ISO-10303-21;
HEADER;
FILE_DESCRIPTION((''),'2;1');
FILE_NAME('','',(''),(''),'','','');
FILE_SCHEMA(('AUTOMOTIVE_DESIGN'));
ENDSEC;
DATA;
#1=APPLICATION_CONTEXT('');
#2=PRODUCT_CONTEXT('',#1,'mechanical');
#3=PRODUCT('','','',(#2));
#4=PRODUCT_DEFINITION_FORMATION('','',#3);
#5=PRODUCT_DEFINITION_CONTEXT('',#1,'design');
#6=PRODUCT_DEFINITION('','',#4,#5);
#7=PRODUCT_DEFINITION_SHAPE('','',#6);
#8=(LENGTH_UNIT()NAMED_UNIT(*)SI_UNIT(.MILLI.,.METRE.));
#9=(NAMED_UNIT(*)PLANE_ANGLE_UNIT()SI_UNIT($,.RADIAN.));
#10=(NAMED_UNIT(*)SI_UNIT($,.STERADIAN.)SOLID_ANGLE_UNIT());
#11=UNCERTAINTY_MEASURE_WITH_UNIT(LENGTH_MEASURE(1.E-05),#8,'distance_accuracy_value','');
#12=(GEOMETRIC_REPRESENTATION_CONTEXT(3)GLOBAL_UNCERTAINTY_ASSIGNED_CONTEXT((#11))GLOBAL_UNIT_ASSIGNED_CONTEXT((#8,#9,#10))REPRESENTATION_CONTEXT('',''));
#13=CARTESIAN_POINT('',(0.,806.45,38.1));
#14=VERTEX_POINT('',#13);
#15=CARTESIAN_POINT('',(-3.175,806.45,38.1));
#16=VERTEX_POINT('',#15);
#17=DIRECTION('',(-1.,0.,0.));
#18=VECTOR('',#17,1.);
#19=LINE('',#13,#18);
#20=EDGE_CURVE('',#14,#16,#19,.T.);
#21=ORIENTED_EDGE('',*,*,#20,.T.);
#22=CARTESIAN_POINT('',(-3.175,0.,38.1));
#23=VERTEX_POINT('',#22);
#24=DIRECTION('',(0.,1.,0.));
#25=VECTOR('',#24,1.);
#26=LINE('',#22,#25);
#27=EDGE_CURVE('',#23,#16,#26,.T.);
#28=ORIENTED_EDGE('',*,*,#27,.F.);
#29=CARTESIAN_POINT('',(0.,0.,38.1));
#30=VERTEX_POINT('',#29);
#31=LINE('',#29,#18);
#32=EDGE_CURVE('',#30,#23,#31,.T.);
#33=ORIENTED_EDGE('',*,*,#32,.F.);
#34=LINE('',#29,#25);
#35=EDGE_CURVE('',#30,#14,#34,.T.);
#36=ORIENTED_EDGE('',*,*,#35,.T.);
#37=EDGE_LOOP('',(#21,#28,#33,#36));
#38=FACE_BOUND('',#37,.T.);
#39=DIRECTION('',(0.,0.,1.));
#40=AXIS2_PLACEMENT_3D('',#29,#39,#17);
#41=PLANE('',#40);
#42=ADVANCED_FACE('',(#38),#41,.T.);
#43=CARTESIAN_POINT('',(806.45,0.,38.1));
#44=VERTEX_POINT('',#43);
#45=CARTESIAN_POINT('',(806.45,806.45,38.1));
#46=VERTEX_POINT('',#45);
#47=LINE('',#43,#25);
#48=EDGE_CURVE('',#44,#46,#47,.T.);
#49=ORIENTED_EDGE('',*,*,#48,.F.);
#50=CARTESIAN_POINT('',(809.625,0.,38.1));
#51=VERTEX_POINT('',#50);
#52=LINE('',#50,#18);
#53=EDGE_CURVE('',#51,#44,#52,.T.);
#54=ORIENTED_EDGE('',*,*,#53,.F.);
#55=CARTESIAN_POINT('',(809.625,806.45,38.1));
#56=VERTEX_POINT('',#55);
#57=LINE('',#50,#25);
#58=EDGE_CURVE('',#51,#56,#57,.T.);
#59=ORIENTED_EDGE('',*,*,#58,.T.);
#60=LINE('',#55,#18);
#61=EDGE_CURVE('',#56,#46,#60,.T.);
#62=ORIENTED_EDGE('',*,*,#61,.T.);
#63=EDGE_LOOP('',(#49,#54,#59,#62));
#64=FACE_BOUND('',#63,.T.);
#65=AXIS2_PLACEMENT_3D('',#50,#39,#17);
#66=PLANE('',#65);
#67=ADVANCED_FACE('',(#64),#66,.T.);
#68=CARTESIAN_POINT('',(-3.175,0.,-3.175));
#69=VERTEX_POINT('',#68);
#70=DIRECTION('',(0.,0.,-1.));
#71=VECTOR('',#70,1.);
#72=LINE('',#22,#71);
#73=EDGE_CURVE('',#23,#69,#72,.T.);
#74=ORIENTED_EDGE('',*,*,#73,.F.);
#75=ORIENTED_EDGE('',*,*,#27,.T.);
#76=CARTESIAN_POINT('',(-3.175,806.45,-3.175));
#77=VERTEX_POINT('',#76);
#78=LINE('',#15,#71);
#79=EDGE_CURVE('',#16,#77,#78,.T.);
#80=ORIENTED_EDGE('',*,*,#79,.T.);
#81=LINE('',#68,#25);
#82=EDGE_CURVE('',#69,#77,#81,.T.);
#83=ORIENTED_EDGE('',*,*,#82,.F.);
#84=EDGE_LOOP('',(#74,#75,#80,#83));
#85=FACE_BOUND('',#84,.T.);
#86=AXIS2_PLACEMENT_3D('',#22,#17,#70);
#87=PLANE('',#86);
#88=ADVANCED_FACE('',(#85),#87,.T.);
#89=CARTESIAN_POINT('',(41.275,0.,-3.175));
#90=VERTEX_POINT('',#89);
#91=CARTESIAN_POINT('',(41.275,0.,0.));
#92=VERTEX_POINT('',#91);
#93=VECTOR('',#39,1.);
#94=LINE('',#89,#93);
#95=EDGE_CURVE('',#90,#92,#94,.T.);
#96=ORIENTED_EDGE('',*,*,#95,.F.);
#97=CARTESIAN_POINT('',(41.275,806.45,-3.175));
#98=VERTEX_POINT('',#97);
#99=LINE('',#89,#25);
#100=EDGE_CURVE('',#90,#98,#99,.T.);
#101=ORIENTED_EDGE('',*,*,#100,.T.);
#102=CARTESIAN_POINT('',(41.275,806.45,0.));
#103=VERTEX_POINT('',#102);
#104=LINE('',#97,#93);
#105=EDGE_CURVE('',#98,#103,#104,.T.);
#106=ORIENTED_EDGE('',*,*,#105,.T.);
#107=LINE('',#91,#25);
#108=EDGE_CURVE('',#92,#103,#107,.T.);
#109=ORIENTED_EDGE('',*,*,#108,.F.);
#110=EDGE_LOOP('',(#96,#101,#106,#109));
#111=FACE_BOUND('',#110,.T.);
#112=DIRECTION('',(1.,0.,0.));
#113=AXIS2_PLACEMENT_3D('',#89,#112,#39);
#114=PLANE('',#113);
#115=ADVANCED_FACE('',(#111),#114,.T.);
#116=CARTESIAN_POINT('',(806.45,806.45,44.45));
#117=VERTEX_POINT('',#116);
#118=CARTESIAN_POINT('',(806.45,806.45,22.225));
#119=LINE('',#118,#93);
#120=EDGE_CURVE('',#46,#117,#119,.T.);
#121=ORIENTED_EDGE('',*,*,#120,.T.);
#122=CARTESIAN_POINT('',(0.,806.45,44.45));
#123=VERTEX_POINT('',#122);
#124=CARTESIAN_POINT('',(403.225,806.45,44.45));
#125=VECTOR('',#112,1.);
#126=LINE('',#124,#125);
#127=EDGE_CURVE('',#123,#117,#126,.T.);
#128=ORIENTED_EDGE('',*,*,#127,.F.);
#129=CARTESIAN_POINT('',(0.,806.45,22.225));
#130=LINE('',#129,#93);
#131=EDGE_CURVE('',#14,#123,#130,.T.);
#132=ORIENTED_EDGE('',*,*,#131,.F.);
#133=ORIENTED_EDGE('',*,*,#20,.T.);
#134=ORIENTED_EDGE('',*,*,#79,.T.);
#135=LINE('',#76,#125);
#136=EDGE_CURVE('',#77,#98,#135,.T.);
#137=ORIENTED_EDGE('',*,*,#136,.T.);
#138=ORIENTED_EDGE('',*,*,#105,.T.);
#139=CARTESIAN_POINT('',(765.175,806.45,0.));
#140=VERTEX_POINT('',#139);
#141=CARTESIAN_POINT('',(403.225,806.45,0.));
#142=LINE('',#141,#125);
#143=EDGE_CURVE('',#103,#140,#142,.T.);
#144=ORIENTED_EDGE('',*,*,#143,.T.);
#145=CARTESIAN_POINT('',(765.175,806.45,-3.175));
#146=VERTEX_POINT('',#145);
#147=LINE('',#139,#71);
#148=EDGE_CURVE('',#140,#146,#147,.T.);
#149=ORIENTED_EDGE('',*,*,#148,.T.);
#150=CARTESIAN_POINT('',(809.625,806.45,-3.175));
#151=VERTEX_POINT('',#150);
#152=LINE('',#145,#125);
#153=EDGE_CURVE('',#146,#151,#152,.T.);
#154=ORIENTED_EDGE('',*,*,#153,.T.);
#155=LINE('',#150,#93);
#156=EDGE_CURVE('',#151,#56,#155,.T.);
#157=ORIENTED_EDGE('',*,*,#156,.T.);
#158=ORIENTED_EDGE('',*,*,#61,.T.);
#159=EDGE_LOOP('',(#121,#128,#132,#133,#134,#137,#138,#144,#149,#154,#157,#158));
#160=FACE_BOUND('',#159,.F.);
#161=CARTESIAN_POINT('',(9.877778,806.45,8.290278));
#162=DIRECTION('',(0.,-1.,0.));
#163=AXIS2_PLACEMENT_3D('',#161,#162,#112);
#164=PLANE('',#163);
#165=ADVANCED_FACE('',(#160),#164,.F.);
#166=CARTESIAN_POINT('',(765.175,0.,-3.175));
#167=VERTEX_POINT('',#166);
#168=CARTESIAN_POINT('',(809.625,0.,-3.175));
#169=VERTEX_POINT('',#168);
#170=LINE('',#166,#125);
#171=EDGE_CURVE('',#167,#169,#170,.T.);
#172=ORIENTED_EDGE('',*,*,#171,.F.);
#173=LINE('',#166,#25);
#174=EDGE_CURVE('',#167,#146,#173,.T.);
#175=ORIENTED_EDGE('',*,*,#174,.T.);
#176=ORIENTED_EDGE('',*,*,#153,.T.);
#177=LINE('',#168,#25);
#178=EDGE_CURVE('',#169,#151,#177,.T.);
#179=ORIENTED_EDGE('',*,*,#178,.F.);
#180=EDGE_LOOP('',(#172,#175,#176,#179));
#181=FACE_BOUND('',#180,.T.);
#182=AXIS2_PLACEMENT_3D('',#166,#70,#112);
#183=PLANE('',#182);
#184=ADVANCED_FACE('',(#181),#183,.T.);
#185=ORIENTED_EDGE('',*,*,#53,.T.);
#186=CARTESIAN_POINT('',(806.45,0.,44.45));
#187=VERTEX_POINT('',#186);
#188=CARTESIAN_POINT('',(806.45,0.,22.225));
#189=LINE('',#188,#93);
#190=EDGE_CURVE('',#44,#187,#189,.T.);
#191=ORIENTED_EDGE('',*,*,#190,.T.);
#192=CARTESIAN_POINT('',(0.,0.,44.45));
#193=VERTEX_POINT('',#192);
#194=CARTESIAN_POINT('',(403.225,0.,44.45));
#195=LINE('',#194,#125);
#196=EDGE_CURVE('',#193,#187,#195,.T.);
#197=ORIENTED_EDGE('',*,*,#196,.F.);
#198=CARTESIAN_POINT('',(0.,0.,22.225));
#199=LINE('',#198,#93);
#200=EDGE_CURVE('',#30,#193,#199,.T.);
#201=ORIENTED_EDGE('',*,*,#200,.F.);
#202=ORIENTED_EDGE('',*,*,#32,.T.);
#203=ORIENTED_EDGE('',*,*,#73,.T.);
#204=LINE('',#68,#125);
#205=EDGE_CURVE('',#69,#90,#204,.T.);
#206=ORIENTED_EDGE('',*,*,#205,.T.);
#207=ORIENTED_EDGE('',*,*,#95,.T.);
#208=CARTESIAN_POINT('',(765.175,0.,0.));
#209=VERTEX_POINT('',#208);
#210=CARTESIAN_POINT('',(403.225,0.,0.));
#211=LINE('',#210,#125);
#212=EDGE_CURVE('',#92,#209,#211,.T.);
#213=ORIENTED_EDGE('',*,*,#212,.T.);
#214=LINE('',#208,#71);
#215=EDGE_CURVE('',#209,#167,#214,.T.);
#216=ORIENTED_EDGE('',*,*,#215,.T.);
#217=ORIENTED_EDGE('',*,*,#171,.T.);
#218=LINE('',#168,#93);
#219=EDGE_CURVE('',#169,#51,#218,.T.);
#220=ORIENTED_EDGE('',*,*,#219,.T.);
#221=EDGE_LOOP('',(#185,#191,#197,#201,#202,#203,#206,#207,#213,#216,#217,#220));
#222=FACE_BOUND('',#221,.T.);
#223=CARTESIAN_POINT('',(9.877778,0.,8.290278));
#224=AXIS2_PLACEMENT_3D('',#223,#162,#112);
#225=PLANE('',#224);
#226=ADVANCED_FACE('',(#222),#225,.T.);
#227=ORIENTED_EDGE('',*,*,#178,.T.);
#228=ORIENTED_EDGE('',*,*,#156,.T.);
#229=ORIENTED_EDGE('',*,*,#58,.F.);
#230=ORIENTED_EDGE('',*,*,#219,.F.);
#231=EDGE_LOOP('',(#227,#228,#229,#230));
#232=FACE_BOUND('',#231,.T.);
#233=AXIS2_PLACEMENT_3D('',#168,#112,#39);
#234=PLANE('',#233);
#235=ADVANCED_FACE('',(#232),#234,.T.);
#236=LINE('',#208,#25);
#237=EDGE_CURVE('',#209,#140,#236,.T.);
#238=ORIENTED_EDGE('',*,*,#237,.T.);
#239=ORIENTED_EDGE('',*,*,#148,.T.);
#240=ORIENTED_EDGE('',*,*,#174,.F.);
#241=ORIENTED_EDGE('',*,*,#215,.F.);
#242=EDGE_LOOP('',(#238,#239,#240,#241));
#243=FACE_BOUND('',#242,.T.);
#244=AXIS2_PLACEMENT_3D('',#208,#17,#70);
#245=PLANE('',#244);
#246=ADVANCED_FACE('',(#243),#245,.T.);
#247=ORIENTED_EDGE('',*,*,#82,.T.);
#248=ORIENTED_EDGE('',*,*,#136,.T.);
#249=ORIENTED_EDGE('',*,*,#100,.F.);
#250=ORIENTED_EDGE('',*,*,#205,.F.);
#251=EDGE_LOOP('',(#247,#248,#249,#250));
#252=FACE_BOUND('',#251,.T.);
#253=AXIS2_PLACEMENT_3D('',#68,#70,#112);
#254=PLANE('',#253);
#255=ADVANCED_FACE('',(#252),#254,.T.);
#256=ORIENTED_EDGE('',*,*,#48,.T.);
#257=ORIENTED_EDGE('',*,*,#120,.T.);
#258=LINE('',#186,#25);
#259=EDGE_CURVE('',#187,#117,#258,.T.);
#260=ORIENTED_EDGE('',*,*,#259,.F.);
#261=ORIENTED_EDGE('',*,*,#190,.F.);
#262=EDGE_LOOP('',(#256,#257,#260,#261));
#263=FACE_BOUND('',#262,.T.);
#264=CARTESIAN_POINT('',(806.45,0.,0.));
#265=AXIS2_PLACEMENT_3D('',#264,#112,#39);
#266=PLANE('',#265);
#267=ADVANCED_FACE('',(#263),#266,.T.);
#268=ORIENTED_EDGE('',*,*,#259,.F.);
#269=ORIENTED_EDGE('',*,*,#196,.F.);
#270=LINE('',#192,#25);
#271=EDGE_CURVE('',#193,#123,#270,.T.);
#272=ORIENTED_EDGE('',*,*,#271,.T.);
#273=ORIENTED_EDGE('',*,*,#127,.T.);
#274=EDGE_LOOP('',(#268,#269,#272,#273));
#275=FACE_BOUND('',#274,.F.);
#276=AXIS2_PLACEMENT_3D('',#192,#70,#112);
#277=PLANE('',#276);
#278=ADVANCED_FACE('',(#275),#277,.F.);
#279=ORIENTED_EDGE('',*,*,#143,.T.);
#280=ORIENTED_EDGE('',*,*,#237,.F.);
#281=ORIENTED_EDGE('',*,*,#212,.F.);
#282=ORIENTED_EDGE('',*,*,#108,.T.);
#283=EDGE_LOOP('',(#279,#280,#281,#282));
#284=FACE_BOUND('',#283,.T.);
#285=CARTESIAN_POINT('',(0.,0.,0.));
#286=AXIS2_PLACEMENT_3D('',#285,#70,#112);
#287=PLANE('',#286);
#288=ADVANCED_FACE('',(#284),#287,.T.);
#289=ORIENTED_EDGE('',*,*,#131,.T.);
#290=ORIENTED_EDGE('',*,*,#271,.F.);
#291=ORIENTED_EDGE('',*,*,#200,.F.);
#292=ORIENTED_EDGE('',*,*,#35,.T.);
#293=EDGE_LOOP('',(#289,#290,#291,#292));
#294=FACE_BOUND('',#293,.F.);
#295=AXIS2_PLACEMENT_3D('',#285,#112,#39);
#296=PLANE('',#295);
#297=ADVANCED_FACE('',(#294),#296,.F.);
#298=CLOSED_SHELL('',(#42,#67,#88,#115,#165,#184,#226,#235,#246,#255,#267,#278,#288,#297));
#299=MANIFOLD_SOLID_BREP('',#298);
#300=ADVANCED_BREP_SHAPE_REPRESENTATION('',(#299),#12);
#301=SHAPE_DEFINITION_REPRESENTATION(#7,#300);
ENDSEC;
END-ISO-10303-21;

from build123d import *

# Parameters (mm, degrees)
F0_W     = 806.45
F0_H     = 44.45
F1_DEPTH = 806.45
F3_DEPTH = 806.45


with BuildPart() as f1:
    # F0 (on Front) → F1 (new body)
    with BuildSketch(Plane.XZ):
        with Locations((403.225, 22.225)):
            Rectangle(F0_W, F0_H)
    extrude(amount=-F1_DEPTH)

    # F2 (on Front) → F3 (join)
    with BuildSketch(Plane.XZ):
        Polygon((-3.175, -3.175), (0, -3.175), (41.275, -3.175), (41.275, 0), (0, 0), (0, 38.1), (-3.175, 38.1), align=None)
        Polygon((765.175, -3.175), (806.45, -3.175), (809.625, -3.175), (809.625, 38.1), (806.45, 38.1), (806.45, 0), (765.175, 0), align=None)
    extrude(amount=-F3_DEPTH)


solid = f1.part
